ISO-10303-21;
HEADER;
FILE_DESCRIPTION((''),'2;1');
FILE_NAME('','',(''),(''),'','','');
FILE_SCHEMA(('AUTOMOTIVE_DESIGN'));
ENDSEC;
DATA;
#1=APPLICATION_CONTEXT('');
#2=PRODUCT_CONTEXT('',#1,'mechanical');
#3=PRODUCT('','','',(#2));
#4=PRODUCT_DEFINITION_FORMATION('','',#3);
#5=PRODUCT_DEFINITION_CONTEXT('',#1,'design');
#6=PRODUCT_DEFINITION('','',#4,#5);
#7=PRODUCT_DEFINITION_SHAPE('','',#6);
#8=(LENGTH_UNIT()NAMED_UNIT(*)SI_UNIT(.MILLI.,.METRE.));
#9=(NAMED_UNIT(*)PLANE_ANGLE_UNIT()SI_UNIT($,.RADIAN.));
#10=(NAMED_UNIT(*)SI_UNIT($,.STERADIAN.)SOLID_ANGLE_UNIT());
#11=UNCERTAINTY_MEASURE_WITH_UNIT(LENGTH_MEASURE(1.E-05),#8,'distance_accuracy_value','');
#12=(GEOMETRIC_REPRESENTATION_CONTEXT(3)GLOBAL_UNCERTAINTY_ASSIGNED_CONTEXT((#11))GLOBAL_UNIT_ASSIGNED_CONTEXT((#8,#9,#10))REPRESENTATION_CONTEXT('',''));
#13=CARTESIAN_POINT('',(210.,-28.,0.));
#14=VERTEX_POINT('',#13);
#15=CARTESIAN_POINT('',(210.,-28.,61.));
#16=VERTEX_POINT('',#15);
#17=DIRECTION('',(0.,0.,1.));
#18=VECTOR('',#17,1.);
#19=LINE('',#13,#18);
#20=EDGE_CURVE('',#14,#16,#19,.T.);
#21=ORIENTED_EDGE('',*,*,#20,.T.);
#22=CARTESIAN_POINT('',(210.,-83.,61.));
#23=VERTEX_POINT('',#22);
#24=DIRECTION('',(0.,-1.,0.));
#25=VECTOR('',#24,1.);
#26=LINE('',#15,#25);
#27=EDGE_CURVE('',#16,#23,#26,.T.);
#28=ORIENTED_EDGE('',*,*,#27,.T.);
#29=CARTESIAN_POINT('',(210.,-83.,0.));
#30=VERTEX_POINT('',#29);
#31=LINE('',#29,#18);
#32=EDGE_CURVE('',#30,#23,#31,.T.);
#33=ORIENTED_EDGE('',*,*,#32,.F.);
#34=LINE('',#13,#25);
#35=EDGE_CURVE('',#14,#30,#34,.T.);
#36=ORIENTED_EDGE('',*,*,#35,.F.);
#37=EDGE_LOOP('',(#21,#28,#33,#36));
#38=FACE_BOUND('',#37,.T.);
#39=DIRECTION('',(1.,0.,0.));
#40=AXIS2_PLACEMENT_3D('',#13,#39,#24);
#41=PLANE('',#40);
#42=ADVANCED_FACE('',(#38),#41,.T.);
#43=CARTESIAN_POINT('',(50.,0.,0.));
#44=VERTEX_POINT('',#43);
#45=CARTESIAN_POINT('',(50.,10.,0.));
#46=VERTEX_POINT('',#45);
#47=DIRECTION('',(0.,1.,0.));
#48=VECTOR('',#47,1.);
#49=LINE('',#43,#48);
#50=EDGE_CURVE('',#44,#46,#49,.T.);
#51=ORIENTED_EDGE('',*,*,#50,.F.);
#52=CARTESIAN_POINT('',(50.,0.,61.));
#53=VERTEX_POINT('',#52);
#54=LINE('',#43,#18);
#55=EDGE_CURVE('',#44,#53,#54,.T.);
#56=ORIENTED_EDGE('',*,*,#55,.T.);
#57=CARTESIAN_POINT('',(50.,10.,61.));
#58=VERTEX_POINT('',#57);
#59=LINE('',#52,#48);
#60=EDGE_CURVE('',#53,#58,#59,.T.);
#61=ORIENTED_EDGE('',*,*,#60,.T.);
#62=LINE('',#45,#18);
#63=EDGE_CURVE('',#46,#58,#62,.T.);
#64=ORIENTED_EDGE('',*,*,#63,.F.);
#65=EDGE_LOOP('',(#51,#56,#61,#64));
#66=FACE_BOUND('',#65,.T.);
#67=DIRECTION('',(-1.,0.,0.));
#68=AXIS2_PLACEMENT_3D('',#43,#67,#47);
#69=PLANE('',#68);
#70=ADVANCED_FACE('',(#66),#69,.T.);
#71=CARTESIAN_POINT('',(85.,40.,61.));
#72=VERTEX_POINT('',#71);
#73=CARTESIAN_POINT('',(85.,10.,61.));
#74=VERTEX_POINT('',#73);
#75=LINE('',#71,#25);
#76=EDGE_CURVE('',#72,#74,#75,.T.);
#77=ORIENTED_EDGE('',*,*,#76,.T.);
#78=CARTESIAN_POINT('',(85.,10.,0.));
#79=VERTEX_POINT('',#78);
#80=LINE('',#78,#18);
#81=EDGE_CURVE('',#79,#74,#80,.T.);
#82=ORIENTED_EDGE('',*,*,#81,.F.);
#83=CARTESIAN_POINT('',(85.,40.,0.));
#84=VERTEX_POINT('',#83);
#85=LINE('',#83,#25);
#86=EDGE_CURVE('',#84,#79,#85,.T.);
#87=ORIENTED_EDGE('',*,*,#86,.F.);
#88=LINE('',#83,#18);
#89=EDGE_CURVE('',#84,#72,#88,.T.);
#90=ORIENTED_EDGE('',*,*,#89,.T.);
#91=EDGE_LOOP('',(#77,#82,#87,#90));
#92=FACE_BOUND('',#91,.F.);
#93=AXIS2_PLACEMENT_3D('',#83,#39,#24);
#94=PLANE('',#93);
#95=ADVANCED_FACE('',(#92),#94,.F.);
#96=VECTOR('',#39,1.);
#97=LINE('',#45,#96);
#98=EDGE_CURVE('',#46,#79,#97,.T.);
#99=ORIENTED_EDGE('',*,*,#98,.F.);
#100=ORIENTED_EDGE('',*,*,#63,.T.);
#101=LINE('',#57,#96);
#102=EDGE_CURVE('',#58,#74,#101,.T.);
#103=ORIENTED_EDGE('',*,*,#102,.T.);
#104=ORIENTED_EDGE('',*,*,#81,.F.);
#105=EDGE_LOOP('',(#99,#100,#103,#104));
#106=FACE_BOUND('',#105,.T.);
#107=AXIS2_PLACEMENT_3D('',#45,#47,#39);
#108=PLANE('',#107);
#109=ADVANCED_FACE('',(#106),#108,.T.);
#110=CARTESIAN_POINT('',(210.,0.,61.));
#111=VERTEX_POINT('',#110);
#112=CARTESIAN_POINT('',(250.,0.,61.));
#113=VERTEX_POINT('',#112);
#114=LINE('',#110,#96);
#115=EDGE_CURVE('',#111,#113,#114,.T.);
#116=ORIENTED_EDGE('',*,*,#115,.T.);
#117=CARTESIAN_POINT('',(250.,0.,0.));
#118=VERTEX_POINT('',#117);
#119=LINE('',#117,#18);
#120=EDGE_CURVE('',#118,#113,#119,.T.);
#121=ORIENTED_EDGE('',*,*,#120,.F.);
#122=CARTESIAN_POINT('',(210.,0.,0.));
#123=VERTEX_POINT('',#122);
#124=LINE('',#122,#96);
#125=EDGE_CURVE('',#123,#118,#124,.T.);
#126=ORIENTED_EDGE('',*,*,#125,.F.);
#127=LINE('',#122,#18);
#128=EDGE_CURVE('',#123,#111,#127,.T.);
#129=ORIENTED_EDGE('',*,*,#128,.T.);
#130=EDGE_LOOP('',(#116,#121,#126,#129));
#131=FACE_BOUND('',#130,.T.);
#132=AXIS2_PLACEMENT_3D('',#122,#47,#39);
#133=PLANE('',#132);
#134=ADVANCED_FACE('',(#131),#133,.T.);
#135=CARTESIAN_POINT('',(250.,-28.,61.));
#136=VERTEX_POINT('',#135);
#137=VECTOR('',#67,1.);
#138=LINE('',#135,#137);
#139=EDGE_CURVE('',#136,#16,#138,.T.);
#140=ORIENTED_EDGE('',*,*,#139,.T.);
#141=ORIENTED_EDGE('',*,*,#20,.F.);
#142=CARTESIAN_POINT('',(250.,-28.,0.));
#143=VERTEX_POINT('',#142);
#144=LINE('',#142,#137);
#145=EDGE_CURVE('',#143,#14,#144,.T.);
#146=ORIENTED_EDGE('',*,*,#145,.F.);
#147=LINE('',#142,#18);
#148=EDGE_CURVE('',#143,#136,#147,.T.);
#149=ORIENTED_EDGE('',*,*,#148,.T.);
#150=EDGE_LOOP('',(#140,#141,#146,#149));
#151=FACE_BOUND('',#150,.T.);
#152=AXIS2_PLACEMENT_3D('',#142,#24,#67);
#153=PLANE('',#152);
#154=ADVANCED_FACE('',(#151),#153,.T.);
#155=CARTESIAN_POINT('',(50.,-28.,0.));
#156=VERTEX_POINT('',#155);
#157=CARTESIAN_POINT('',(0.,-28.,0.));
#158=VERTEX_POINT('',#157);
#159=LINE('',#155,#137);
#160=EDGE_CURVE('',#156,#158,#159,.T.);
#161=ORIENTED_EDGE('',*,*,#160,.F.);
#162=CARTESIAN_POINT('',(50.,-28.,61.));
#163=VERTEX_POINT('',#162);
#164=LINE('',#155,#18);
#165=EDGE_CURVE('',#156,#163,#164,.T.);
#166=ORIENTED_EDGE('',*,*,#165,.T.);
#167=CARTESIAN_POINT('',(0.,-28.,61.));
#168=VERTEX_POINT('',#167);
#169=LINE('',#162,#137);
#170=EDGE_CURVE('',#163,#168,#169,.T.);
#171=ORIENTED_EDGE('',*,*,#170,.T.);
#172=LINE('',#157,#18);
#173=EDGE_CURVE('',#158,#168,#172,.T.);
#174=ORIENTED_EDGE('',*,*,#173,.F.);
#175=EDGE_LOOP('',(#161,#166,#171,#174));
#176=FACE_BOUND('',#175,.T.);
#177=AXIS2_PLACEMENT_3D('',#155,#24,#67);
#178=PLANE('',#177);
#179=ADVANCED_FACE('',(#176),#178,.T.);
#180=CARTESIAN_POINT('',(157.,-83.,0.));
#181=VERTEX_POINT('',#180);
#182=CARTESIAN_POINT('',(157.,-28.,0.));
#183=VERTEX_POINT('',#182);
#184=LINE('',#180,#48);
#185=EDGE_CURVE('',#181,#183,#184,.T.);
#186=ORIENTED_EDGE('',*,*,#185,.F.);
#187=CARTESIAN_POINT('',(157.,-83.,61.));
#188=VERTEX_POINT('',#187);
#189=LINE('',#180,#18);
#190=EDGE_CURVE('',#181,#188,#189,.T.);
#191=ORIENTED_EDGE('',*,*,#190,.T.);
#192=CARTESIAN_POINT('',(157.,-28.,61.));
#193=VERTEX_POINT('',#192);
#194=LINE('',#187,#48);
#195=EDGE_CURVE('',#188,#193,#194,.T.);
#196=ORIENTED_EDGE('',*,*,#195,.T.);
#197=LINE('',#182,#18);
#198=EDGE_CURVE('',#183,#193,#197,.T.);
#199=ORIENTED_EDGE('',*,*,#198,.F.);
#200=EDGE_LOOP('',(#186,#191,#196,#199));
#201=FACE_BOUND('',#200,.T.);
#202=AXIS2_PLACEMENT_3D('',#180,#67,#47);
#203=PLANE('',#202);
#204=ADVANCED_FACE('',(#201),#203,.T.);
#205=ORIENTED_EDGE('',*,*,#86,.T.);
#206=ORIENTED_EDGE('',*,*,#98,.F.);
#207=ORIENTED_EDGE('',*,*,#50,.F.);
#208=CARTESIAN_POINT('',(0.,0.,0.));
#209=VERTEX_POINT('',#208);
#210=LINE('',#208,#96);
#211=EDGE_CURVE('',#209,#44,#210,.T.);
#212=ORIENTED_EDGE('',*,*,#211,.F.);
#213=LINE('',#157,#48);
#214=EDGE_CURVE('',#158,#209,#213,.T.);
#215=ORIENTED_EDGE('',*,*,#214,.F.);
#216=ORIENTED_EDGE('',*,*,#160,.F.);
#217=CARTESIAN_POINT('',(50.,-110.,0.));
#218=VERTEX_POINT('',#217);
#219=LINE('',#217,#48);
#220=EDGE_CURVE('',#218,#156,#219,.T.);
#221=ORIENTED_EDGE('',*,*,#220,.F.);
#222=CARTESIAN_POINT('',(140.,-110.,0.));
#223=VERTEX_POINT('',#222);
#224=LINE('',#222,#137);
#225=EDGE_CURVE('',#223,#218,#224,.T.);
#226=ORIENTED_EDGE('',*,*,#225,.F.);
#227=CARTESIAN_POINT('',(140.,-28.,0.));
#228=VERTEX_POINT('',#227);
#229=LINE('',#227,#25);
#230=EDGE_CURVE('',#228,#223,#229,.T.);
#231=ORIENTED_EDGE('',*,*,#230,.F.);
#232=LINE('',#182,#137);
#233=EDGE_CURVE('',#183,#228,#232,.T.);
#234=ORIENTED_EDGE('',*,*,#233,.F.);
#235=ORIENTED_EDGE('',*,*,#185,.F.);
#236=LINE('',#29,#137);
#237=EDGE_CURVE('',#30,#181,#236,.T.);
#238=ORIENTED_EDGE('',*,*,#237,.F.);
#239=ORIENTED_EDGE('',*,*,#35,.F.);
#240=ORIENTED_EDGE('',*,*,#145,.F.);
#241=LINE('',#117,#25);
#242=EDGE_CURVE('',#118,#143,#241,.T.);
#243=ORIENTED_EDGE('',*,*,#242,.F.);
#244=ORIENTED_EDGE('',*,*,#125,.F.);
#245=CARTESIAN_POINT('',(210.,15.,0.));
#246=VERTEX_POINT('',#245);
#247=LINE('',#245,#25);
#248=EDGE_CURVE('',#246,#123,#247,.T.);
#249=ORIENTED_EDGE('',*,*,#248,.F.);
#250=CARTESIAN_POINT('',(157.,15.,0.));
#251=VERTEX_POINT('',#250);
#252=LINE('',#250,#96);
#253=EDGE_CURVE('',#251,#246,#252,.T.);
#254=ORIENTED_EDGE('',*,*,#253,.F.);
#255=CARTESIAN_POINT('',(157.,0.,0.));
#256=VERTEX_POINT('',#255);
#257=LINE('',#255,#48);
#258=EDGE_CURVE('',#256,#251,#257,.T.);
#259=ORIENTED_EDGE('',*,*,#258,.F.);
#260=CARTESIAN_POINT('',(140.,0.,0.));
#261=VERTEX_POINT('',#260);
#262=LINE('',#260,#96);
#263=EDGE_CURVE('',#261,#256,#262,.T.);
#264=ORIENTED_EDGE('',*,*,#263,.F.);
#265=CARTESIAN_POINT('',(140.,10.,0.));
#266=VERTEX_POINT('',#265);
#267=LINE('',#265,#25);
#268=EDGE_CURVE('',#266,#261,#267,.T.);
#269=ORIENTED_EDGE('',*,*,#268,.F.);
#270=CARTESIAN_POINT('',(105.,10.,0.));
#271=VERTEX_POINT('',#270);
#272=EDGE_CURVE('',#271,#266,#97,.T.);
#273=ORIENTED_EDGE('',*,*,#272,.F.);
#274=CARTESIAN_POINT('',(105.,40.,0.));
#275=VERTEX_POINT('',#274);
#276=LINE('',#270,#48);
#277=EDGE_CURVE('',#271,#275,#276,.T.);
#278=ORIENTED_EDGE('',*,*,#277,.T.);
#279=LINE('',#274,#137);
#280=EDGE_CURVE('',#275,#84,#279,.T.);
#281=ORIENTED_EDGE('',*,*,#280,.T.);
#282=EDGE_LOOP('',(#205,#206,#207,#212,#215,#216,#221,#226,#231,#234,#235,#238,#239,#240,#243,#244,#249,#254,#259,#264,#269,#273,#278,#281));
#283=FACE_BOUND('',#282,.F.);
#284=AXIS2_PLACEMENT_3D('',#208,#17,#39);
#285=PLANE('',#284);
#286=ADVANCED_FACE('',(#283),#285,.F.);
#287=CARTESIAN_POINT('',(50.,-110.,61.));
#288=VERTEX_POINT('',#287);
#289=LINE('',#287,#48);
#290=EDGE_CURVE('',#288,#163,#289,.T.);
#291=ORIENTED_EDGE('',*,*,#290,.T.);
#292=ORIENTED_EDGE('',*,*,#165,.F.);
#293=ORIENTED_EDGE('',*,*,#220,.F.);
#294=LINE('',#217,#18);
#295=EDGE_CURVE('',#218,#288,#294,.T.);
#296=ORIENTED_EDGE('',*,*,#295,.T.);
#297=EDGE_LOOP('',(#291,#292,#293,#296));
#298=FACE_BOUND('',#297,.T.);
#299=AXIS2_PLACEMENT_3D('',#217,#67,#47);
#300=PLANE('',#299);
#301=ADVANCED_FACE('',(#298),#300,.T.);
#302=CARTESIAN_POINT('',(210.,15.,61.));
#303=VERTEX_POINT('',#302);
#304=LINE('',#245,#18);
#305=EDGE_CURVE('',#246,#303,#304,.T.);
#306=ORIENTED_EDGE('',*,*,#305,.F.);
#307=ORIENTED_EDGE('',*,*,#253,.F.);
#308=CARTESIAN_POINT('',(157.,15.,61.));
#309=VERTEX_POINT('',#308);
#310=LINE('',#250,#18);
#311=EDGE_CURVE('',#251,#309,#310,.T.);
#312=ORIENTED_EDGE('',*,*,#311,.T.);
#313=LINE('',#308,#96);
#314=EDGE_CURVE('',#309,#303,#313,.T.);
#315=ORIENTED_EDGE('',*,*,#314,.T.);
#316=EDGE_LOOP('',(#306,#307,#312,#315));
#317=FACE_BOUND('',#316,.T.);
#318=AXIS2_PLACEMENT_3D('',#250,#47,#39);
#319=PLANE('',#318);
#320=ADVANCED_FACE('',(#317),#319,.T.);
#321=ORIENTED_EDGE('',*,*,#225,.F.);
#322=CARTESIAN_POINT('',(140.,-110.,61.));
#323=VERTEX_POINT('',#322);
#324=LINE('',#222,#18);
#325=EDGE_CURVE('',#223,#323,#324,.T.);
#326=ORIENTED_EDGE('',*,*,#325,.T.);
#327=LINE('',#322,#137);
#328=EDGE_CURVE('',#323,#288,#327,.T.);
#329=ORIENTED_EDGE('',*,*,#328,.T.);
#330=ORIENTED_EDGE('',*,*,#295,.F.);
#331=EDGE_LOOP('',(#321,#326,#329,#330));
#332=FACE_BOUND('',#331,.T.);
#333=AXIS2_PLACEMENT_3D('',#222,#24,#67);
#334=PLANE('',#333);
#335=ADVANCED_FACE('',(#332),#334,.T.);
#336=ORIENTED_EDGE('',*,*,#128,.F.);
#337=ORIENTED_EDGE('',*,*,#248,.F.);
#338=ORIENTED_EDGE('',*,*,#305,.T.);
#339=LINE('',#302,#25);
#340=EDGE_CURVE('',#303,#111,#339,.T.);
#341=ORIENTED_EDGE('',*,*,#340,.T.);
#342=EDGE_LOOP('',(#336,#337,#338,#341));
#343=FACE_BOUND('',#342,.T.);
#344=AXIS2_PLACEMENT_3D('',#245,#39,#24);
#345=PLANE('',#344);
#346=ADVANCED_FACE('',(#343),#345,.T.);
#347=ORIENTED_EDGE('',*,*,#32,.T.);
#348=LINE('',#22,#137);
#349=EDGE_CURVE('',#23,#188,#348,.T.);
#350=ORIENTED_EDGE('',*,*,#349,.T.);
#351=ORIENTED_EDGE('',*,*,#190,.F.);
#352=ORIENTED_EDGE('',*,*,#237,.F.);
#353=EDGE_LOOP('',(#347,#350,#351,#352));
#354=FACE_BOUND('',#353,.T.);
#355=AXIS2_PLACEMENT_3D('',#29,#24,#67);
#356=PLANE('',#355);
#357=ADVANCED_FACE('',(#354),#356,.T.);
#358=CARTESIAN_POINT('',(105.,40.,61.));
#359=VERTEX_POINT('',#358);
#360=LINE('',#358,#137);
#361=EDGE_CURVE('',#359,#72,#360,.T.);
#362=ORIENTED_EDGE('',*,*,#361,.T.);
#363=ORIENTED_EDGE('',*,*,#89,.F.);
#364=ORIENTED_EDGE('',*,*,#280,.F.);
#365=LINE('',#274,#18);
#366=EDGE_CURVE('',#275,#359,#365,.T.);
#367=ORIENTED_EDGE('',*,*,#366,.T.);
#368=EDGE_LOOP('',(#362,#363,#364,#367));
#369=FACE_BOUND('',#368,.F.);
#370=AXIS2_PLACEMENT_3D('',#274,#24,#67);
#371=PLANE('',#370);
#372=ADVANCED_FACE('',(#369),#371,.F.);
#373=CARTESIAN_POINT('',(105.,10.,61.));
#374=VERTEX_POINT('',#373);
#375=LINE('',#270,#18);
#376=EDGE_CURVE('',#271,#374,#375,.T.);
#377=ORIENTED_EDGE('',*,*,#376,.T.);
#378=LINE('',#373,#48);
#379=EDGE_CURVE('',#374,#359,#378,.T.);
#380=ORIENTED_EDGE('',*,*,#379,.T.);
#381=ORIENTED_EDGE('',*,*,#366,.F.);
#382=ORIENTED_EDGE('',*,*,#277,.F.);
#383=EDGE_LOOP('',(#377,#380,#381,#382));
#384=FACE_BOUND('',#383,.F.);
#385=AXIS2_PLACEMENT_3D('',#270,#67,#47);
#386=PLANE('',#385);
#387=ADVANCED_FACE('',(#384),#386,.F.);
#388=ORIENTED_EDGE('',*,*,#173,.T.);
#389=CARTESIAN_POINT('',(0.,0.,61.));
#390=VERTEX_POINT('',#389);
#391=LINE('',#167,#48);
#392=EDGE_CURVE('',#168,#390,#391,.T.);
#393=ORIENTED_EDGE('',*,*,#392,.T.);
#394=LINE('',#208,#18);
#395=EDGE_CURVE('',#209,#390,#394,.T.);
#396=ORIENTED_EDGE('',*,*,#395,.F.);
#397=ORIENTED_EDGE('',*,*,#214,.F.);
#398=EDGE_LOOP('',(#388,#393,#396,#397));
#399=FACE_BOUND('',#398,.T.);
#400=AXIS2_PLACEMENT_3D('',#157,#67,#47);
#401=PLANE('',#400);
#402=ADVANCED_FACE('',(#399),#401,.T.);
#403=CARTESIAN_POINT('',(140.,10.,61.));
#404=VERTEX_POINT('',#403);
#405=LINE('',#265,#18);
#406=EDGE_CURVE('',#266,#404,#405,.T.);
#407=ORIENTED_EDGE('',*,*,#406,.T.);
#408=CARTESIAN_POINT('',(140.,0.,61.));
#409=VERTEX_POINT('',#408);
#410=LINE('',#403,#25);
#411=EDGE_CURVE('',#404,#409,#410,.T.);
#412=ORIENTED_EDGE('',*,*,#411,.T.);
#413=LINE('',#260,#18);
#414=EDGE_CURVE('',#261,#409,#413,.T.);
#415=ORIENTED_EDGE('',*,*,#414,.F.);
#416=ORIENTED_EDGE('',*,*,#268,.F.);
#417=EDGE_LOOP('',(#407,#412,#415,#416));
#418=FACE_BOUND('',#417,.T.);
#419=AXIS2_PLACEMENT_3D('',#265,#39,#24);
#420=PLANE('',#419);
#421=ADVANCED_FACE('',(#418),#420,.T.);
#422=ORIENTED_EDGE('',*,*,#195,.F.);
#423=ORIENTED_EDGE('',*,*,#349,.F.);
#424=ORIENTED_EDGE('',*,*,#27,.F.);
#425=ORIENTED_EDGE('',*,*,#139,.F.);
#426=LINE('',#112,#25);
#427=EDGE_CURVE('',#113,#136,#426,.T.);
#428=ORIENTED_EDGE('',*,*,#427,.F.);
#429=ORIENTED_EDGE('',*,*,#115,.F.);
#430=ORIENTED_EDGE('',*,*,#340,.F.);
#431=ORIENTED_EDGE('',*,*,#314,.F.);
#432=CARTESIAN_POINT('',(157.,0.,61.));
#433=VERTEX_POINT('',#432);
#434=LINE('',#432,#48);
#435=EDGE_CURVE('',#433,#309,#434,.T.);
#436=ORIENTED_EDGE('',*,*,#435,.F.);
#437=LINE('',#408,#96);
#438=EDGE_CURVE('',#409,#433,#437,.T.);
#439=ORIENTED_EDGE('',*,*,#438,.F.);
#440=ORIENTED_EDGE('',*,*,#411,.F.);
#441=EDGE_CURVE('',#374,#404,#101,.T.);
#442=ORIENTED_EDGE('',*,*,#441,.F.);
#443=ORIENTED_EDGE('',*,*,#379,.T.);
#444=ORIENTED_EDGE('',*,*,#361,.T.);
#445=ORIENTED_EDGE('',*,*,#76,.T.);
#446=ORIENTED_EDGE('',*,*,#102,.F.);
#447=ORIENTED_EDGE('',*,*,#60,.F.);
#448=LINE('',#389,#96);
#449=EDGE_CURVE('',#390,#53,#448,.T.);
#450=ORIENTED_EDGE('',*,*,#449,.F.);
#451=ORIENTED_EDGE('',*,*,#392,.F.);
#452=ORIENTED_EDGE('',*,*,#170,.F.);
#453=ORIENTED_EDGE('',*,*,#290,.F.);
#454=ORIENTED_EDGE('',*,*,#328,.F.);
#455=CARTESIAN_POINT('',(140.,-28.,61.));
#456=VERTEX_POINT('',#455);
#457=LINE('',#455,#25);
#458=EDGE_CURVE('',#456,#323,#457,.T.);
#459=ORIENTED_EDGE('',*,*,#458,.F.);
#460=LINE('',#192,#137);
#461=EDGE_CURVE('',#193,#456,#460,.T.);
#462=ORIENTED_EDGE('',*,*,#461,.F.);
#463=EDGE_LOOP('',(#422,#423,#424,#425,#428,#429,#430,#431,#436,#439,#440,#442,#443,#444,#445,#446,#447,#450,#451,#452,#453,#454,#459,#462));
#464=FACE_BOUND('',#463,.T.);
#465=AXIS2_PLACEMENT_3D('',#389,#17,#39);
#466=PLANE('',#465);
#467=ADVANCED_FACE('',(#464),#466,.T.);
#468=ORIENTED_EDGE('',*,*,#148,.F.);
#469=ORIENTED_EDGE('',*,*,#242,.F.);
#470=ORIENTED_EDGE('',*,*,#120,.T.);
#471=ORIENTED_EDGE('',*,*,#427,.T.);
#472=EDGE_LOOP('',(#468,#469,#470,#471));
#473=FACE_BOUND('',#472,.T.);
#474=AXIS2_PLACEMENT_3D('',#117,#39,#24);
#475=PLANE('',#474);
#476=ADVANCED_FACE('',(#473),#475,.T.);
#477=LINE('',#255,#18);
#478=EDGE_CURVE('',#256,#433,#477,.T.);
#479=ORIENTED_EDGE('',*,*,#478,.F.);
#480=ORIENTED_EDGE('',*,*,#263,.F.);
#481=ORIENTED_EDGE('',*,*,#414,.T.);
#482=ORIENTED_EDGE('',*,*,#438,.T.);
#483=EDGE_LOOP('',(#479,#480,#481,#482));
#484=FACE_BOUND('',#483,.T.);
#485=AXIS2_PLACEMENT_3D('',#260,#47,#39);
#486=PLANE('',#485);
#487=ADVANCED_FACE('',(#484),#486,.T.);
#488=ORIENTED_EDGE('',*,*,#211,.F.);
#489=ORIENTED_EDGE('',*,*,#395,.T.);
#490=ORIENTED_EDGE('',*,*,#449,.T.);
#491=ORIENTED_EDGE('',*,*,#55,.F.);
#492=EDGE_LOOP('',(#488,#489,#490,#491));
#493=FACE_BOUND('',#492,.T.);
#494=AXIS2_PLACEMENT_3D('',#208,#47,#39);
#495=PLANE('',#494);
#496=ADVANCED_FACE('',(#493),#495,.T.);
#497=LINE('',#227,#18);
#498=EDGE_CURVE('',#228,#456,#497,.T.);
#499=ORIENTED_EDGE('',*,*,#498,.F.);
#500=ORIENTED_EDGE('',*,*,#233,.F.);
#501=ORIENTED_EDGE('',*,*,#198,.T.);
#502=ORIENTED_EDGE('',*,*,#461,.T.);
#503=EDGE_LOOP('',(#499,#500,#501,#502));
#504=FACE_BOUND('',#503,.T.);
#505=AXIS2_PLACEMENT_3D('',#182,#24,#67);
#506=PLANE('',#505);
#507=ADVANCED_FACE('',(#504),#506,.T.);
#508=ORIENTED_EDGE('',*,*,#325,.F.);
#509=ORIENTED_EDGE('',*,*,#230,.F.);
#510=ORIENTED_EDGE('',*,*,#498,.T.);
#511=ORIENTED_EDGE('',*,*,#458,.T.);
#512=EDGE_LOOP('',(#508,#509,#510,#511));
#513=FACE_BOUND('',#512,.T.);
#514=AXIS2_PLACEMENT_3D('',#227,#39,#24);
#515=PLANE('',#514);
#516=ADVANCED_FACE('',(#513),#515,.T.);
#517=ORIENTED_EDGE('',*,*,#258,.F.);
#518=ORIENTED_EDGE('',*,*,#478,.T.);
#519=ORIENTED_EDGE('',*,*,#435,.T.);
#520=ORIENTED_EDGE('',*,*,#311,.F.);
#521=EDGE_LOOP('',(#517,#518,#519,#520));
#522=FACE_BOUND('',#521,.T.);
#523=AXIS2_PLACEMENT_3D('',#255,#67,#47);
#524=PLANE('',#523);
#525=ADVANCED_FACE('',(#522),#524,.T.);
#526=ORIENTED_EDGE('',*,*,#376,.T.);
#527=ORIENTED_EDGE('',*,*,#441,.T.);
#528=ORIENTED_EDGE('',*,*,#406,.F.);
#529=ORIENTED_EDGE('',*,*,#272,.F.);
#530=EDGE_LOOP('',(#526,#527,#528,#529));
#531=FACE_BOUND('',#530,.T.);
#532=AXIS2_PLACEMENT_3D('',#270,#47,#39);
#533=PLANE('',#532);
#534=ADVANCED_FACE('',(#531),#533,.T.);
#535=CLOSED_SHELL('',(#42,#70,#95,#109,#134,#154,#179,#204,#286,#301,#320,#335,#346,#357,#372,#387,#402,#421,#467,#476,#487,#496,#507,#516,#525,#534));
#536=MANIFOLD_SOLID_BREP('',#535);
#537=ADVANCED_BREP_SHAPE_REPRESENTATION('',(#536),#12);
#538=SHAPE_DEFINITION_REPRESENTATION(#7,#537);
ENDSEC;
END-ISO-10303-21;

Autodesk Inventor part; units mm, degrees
ref_plane "YZ Plane" through (0, 0, 0) normal (1, 0, 0) x (0, 1, 0)
ref_plane "XZ Plane" through (0, 0, 0) normal (0, 1, 0) x (-1, 0, 0)
ref_plane "XY Plane" through (0, 0, 0) normal (0, 0, 1) x (1, 0, 0)
sketch "Sketch1" plane through (0, 0, 0) normal (0, 0, 1) x (1, 0, 0)
  line L0 (0, 0) -> (50, 0)
  line L1 (50, 0) -> (50, 10)
  line L2 (50, 10) -> (140, 10)
  line L3 (140, 10) -> (140, 0)
  line L4 (140, 0) -> (157, 0)
  line L5 (157, 0) -> (157, 15)
  line L6 (157, 15) -> (210, 15)
  line L7 (210, 15) -> (210, 0)
  line L8 (210, 0) -> (250, 0)
  line L9 (250, 0) -> (250, -28)
  line L10 (250, -28) -> (210, -28)
  line L11 (210, -28) -> (210, -83)
  line L12 (210, -83) -> (157, -83)
  line L13 (157, -83) -> (157, -28)
  line L14 (157, -28) -> (140, -28)
  line L15 (140, -28) -> (140, -110)
  line L16 (140, -110) -> (50, -110)
  line L17 (50, -110) -> (50, -28)
  line L18 (50, -28) -> (0, -28)
  line L19 (0, -28) -> (0, 0)
  line L20 (85, 10) -> (105, 10)
  line L21 (105, 10) -> (105, 40)
  line L22 (105, 40) -> (85, 40)
  line L23 (85, 40) -> (85, 10)
  point P0 (95, 10)
  point P1 (95, 40)
  dimension "d0" = 90
  dimension "d1" = 53
  dimension "d2" = 17
  dimension "d3" = 40
  dimension "d4" = 50
  dimension "d5" = 10
  dimension "d6" = 15
  dimension "d9" = 28
  dimension "d10" = 110
  dimension "d11" = 83
  dimension "d14" = 30
  dimension "d15" = 20
extrude "Extrusion1" add sketch "Sketch1" along normal blind 61
properties part number "FR_bounding_box"
